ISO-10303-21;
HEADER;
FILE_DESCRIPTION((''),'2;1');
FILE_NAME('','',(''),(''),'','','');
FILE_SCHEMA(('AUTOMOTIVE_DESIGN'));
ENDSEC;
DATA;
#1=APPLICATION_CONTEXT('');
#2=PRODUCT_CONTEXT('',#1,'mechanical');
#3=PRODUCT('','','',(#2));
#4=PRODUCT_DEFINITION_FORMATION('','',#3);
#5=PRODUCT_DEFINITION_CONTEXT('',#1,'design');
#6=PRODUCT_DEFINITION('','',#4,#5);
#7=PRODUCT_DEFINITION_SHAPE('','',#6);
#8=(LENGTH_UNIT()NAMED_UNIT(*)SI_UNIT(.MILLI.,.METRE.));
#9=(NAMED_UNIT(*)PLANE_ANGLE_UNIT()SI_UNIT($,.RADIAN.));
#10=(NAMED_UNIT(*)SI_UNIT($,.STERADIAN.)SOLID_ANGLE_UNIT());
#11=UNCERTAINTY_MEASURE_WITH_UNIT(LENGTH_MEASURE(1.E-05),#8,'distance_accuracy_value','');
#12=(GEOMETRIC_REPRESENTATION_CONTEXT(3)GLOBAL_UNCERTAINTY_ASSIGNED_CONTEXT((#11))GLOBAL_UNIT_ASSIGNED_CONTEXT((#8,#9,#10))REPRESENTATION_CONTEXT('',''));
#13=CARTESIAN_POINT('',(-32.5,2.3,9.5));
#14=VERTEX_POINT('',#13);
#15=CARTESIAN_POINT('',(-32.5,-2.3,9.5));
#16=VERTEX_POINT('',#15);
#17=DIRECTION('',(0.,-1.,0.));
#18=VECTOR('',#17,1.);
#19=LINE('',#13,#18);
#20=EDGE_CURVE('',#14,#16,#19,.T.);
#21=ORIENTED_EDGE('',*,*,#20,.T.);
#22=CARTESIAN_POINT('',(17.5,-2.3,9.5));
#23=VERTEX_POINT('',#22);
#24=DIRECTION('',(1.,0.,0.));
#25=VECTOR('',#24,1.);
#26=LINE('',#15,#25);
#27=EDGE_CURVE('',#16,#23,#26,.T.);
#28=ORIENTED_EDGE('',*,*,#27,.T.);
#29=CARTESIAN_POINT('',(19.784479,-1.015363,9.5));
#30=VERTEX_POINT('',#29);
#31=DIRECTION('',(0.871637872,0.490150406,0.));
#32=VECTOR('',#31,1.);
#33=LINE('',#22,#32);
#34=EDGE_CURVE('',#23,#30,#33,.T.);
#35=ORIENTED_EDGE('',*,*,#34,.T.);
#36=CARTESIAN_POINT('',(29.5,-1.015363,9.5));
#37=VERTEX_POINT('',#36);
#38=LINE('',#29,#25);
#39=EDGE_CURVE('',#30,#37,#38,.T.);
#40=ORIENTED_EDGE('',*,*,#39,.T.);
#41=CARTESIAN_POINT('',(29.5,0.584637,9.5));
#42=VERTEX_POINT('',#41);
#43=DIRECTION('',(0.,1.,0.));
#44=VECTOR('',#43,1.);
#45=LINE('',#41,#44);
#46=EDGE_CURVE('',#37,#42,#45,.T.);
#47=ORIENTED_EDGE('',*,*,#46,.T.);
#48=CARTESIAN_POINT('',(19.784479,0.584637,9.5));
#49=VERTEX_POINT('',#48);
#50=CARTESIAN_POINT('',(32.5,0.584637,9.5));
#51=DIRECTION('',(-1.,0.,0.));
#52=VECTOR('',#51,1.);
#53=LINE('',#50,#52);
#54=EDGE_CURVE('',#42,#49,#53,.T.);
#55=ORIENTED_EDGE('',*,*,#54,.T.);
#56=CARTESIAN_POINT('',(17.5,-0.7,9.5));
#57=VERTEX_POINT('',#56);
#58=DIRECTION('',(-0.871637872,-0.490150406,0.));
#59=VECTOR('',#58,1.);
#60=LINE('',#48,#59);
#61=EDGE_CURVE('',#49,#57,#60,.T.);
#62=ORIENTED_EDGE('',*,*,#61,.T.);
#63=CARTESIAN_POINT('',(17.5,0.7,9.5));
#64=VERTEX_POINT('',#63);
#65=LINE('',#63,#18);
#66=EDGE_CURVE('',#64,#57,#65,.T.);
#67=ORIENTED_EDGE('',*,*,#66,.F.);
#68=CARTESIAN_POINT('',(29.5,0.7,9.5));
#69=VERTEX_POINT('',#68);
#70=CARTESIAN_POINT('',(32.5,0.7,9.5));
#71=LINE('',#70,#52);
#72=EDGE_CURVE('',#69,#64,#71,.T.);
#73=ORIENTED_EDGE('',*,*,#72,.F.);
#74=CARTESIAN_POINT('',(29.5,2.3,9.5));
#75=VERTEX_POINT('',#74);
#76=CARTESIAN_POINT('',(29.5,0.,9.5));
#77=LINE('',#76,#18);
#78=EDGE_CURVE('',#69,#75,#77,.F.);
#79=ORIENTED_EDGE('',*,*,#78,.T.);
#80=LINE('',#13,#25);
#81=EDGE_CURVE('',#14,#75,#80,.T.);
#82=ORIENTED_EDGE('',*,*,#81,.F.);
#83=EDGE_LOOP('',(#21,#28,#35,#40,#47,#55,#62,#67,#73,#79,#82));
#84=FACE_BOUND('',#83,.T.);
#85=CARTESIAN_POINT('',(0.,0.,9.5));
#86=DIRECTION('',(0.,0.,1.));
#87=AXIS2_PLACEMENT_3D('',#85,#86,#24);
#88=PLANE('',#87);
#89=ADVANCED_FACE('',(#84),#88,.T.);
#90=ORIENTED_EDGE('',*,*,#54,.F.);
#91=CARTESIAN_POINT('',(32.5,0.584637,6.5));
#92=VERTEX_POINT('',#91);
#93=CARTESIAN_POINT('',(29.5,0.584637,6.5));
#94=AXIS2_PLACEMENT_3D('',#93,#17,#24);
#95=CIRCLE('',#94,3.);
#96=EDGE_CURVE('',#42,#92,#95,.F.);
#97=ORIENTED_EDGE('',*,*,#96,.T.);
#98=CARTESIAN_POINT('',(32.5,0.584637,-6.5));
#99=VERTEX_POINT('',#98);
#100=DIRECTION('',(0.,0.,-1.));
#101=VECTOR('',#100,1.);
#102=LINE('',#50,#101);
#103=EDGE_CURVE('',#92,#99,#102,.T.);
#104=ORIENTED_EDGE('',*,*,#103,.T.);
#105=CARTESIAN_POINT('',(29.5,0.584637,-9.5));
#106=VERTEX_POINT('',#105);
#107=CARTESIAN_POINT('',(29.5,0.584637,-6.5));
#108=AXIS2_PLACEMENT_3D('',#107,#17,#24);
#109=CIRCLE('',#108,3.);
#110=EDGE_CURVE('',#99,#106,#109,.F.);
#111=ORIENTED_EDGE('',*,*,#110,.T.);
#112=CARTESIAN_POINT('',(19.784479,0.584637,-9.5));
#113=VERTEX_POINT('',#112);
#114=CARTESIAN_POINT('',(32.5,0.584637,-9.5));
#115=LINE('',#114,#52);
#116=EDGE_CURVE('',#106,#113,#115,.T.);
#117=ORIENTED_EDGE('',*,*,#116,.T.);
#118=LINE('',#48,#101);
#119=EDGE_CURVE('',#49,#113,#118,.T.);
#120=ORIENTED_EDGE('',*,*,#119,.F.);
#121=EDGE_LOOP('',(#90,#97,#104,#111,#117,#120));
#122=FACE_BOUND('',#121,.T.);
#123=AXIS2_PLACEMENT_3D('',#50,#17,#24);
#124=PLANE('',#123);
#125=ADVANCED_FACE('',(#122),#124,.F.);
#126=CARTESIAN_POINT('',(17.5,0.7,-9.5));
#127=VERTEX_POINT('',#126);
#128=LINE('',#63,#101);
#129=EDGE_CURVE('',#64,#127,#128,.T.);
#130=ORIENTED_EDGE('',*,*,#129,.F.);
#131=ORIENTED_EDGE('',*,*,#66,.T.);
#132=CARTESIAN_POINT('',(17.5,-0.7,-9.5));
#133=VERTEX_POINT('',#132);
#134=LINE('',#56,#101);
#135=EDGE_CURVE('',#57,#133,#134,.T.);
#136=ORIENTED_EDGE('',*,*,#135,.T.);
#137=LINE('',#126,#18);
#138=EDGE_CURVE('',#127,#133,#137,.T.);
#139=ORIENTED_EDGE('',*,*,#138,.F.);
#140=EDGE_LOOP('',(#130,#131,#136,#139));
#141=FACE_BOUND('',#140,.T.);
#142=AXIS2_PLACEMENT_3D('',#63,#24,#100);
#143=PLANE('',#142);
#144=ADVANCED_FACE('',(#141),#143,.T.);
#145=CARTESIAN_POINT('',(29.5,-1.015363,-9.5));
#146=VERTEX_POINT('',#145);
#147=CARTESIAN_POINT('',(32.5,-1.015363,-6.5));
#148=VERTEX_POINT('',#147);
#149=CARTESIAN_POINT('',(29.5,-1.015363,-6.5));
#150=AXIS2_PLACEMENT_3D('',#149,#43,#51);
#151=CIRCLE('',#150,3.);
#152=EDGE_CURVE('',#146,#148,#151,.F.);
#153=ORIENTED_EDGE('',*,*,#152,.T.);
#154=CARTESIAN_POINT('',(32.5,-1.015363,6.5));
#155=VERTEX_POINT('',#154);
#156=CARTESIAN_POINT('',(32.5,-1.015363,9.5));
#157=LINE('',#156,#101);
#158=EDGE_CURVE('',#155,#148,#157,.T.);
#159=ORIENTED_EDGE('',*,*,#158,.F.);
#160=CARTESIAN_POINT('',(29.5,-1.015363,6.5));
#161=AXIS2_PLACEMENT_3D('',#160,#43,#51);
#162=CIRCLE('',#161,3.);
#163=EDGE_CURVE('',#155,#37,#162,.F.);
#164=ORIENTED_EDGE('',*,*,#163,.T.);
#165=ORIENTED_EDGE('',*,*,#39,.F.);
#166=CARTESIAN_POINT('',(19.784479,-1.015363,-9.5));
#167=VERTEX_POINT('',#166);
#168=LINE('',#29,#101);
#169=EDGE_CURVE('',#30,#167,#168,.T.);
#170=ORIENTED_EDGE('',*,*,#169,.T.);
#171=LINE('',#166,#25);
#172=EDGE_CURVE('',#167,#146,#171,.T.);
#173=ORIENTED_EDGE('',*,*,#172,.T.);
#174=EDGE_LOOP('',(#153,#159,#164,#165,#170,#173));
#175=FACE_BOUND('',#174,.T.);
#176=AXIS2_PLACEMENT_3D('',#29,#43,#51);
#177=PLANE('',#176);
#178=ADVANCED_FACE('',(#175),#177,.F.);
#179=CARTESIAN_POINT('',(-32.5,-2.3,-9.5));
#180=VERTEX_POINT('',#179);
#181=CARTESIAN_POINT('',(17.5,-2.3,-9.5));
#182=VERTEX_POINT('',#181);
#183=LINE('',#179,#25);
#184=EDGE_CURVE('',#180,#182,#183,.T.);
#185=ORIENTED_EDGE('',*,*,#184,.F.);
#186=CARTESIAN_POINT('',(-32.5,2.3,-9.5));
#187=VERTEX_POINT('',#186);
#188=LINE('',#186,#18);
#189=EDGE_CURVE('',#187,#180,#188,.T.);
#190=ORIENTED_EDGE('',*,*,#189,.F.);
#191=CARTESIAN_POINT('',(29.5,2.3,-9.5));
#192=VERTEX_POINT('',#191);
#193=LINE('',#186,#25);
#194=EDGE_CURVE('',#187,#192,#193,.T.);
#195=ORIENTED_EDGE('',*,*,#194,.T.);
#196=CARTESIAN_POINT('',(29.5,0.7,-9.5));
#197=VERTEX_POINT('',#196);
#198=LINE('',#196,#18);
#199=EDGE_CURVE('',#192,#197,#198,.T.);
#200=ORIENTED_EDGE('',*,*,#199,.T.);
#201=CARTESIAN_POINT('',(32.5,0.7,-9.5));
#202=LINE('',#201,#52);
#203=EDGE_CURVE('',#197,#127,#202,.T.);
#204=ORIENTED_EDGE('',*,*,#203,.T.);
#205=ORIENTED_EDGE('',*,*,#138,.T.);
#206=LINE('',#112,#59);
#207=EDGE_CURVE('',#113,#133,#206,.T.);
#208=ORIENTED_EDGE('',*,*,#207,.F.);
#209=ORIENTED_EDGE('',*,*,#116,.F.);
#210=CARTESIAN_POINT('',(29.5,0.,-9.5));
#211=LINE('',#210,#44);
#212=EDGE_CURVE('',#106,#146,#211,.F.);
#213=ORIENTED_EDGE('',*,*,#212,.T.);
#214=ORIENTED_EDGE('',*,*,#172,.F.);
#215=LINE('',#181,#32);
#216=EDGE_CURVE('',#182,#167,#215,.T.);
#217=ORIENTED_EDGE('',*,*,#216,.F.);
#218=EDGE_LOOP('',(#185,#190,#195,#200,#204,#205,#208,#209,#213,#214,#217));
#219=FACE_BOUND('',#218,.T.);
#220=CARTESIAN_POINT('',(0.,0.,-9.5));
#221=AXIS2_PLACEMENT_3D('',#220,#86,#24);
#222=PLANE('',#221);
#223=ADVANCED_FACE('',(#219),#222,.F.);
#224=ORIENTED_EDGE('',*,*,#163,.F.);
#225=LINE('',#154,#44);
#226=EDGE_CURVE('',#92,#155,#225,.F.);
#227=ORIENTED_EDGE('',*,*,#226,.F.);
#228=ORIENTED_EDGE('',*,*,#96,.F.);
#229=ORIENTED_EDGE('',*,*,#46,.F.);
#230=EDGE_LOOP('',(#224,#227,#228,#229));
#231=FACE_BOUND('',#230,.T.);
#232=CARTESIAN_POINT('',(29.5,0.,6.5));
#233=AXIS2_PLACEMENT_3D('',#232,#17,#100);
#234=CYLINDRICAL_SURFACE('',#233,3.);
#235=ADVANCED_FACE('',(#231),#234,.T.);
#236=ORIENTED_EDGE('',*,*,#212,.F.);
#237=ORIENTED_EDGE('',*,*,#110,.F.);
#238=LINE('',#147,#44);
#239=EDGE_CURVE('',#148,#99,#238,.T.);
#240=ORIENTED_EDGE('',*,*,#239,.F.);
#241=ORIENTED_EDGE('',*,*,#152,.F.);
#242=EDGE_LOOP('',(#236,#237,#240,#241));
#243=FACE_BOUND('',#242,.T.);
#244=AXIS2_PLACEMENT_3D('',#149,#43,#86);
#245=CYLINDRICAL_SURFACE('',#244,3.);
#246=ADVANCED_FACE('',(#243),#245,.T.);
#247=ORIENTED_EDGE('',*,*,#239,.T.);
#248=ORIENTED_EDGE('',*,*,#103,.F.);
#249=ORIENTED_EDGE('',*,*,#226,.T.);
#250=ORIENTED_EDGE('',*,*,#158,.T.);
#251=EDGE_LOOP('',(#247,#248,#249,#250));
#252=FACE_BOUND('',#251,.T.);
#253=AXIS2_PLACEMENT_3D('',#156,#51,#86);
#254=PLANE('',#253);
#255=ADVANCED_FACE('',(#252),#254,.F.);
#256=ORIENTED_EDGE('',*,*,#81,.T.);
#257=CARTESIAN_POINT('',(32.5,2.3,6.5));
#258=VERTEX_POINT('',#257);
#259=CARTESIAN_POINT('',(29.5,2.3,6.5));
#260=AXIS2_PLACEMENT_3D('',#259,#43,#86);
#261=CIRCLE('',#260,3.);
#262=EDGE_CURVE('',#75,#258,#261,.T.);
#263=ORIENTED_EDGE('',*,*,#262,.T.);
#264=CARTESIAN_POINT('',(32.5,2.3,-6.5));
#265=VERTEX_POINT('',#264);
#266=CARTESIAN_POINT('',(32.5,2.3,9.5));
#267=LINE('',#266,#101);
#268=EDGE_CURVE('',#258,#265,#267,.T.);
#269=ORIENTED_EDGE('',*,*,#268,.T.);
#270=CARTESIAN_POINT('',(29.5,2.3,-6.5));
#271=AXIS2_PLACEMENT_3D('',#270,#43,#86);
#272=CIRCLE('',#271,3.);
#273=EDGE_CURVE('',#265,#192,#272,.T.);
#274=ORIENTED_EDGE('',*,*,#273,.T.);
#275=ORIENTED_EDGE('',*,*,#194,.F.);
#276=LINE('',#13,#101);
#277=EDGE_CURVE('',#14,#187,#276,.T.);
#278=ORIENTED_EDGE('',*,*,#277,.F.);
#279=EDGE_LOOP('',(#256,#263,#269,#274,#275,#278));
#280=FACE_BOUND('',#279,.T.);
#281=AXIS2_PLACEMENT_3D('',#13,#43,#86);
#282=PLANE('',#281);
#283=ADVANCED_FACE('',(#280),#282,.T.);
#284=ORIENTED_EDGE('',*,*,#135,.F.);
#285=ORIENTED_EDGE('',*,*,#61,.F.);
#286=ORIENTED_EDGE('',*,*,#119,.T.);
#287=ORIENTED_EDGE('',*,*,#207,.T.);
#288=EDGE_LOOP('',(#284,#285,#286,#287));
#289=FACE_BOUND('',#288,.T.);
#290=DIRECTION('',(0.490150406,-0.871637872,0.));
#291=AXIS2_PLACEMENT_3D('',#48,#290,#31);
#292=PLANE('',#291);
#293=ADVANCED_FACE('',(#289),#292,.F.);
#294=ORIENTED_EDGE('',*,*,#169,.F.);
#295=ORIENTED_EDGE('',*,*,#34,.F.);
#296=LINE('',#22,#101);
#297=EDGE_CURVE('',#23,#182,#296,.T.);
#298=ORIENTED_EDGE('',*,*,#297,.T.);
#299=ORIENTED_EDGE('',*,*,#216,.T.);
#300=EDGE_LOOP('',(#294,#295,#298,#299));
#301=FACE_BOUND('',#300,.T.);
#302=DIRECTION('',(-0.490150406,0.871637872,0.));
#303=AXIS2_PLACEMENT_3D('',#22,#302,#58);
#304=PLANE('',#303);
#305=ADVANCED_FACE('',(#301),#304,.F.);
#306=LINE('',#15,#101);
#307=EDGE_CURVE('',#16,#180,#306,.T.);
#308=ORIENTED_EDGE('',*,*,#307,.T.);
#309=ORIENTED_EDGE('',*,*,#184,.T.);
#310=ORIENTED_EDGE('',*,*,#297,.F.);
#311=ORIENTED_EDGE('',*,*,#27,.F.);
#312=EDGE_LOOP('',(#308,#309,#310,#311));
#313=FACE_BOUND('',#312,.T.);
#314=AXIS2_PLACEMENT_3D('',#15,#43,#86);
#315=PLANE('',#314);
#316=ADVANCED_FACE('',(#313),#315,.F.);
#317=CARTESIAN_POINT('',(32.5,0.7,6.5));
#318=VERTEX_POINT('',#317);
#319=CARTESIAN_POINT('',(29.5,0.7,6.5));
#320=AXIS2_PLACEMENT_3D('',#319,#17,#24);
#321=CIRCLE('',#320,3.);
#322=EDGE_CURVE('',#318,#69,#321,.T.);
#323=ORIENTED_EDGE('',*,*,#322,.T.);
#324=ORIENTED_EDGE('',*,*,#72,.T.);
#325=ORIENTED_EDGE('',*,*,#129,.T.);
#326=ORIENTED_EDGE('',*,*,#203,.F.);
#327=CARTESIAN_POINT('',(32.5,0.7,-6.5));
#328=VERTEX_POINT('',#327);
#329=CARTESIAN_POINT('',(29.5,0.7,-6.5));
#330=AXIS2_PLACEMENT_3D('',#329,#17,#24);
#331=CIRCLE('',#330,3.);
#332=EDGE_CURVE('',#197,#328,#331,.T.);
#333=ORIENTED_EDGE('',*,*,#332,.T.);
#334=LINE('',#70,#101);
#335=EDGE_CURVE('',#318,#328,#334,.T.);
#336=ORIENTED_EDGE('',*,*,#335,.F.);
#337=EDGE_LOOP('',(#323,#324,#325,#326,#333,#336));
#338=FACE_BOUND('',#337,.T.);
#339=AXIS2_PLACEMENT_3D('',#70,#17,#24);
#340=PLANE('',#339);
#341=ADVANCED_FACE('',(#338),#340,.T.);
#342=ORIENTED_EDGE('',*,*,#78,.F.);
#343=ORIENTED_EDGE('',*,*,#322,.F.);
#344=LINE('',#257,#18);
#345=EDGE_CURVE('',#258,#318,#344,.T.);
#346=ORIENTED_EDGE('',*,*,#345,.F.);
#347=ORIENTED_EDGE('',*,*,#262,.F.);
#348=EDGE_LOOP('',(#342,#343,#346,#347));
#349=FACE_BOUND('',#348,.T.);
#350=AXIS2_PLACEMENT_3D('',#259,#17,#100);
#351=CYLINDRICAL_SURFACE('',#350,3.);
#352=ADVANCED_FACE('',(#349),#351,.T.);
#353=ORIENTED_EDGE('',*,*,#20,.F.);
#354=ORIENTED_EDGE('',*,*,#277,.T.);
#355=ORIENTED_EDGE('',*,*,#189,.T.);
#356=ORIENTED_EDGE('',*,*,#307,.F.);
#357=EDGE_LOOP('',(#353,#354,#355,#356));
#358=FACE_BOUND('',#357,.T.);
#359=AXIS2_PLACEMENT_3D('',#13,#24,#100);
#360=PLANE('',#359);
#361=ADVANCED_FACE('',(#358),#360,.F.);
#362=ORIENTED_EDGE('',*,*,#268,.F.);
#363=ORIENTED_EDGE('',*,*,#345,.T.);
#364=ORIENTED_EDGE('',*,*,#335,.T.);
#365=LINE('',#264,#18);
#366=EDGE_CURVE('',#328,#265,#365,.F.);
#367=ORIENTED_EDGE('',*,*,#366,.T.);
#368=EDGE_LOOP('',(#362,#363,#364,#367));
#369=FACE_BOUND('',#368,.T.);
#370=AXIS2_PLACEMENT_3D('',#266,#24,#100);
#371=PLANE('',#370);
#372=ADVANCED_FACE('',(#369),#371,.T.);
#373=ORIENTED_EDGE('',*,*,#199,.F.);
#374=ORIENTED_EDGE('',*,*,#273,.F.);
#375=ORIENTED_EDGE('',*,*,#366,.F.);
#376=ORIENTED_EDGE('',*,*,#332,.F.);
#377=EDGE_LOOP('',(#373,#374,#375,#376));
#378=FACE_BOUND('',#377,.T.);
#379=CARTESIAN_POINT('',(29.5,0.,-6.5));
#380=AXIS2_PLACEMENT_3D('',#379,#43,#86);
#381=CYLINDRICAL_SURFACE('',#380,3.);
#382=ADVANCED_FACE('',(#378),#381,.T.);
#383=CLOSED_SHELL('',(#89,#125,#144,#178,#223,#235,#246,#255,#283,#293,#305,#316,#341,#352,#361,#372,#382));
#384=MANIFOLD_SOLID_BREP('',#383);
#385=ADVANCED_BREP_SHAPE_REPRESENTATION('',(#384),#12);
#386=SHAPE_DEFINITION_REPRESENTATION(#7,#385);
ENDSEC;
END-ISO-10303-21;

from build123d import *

# Parameters (mm, degrees)
BOSS_EXTRUDE1_DEPTH = 9.5
FILLET1_R           = 3


with BuildPart() as part:
    # Sketch1 → Boss-Extrude1 (new body, symmetric)
    with BuildSketch(Plane.XY):
        Polygon((-32.5, 2.3), (32.5, 2.3), (32.5, 0.7), (17.5, 0.7), (17.5, -0.7), (19.784478645, 0.584636857), (32.5, 0.584636857), (32.5, -1.015363143), (19.784478645, -1.015363143), (17.5, -2.3), (-32.5, -2.3), align=None)
    extrude(amount=BOSS_EXTRUDE1_DEPTH, both=True)

    # Fillet1
    fillet1_edges = [part.edges().sort_by_distance(p)[0] for p in [
        (32.5, 1.5, -9.5),
        (32.5, -0.215363143, -9.5),
        (32.5, 1.5, 9.5),
        (32.5, -0.215363143, 9.5),
    ]]
    fillet(fillet1_edges, radius=FILLET1_R)


solid = part.part
